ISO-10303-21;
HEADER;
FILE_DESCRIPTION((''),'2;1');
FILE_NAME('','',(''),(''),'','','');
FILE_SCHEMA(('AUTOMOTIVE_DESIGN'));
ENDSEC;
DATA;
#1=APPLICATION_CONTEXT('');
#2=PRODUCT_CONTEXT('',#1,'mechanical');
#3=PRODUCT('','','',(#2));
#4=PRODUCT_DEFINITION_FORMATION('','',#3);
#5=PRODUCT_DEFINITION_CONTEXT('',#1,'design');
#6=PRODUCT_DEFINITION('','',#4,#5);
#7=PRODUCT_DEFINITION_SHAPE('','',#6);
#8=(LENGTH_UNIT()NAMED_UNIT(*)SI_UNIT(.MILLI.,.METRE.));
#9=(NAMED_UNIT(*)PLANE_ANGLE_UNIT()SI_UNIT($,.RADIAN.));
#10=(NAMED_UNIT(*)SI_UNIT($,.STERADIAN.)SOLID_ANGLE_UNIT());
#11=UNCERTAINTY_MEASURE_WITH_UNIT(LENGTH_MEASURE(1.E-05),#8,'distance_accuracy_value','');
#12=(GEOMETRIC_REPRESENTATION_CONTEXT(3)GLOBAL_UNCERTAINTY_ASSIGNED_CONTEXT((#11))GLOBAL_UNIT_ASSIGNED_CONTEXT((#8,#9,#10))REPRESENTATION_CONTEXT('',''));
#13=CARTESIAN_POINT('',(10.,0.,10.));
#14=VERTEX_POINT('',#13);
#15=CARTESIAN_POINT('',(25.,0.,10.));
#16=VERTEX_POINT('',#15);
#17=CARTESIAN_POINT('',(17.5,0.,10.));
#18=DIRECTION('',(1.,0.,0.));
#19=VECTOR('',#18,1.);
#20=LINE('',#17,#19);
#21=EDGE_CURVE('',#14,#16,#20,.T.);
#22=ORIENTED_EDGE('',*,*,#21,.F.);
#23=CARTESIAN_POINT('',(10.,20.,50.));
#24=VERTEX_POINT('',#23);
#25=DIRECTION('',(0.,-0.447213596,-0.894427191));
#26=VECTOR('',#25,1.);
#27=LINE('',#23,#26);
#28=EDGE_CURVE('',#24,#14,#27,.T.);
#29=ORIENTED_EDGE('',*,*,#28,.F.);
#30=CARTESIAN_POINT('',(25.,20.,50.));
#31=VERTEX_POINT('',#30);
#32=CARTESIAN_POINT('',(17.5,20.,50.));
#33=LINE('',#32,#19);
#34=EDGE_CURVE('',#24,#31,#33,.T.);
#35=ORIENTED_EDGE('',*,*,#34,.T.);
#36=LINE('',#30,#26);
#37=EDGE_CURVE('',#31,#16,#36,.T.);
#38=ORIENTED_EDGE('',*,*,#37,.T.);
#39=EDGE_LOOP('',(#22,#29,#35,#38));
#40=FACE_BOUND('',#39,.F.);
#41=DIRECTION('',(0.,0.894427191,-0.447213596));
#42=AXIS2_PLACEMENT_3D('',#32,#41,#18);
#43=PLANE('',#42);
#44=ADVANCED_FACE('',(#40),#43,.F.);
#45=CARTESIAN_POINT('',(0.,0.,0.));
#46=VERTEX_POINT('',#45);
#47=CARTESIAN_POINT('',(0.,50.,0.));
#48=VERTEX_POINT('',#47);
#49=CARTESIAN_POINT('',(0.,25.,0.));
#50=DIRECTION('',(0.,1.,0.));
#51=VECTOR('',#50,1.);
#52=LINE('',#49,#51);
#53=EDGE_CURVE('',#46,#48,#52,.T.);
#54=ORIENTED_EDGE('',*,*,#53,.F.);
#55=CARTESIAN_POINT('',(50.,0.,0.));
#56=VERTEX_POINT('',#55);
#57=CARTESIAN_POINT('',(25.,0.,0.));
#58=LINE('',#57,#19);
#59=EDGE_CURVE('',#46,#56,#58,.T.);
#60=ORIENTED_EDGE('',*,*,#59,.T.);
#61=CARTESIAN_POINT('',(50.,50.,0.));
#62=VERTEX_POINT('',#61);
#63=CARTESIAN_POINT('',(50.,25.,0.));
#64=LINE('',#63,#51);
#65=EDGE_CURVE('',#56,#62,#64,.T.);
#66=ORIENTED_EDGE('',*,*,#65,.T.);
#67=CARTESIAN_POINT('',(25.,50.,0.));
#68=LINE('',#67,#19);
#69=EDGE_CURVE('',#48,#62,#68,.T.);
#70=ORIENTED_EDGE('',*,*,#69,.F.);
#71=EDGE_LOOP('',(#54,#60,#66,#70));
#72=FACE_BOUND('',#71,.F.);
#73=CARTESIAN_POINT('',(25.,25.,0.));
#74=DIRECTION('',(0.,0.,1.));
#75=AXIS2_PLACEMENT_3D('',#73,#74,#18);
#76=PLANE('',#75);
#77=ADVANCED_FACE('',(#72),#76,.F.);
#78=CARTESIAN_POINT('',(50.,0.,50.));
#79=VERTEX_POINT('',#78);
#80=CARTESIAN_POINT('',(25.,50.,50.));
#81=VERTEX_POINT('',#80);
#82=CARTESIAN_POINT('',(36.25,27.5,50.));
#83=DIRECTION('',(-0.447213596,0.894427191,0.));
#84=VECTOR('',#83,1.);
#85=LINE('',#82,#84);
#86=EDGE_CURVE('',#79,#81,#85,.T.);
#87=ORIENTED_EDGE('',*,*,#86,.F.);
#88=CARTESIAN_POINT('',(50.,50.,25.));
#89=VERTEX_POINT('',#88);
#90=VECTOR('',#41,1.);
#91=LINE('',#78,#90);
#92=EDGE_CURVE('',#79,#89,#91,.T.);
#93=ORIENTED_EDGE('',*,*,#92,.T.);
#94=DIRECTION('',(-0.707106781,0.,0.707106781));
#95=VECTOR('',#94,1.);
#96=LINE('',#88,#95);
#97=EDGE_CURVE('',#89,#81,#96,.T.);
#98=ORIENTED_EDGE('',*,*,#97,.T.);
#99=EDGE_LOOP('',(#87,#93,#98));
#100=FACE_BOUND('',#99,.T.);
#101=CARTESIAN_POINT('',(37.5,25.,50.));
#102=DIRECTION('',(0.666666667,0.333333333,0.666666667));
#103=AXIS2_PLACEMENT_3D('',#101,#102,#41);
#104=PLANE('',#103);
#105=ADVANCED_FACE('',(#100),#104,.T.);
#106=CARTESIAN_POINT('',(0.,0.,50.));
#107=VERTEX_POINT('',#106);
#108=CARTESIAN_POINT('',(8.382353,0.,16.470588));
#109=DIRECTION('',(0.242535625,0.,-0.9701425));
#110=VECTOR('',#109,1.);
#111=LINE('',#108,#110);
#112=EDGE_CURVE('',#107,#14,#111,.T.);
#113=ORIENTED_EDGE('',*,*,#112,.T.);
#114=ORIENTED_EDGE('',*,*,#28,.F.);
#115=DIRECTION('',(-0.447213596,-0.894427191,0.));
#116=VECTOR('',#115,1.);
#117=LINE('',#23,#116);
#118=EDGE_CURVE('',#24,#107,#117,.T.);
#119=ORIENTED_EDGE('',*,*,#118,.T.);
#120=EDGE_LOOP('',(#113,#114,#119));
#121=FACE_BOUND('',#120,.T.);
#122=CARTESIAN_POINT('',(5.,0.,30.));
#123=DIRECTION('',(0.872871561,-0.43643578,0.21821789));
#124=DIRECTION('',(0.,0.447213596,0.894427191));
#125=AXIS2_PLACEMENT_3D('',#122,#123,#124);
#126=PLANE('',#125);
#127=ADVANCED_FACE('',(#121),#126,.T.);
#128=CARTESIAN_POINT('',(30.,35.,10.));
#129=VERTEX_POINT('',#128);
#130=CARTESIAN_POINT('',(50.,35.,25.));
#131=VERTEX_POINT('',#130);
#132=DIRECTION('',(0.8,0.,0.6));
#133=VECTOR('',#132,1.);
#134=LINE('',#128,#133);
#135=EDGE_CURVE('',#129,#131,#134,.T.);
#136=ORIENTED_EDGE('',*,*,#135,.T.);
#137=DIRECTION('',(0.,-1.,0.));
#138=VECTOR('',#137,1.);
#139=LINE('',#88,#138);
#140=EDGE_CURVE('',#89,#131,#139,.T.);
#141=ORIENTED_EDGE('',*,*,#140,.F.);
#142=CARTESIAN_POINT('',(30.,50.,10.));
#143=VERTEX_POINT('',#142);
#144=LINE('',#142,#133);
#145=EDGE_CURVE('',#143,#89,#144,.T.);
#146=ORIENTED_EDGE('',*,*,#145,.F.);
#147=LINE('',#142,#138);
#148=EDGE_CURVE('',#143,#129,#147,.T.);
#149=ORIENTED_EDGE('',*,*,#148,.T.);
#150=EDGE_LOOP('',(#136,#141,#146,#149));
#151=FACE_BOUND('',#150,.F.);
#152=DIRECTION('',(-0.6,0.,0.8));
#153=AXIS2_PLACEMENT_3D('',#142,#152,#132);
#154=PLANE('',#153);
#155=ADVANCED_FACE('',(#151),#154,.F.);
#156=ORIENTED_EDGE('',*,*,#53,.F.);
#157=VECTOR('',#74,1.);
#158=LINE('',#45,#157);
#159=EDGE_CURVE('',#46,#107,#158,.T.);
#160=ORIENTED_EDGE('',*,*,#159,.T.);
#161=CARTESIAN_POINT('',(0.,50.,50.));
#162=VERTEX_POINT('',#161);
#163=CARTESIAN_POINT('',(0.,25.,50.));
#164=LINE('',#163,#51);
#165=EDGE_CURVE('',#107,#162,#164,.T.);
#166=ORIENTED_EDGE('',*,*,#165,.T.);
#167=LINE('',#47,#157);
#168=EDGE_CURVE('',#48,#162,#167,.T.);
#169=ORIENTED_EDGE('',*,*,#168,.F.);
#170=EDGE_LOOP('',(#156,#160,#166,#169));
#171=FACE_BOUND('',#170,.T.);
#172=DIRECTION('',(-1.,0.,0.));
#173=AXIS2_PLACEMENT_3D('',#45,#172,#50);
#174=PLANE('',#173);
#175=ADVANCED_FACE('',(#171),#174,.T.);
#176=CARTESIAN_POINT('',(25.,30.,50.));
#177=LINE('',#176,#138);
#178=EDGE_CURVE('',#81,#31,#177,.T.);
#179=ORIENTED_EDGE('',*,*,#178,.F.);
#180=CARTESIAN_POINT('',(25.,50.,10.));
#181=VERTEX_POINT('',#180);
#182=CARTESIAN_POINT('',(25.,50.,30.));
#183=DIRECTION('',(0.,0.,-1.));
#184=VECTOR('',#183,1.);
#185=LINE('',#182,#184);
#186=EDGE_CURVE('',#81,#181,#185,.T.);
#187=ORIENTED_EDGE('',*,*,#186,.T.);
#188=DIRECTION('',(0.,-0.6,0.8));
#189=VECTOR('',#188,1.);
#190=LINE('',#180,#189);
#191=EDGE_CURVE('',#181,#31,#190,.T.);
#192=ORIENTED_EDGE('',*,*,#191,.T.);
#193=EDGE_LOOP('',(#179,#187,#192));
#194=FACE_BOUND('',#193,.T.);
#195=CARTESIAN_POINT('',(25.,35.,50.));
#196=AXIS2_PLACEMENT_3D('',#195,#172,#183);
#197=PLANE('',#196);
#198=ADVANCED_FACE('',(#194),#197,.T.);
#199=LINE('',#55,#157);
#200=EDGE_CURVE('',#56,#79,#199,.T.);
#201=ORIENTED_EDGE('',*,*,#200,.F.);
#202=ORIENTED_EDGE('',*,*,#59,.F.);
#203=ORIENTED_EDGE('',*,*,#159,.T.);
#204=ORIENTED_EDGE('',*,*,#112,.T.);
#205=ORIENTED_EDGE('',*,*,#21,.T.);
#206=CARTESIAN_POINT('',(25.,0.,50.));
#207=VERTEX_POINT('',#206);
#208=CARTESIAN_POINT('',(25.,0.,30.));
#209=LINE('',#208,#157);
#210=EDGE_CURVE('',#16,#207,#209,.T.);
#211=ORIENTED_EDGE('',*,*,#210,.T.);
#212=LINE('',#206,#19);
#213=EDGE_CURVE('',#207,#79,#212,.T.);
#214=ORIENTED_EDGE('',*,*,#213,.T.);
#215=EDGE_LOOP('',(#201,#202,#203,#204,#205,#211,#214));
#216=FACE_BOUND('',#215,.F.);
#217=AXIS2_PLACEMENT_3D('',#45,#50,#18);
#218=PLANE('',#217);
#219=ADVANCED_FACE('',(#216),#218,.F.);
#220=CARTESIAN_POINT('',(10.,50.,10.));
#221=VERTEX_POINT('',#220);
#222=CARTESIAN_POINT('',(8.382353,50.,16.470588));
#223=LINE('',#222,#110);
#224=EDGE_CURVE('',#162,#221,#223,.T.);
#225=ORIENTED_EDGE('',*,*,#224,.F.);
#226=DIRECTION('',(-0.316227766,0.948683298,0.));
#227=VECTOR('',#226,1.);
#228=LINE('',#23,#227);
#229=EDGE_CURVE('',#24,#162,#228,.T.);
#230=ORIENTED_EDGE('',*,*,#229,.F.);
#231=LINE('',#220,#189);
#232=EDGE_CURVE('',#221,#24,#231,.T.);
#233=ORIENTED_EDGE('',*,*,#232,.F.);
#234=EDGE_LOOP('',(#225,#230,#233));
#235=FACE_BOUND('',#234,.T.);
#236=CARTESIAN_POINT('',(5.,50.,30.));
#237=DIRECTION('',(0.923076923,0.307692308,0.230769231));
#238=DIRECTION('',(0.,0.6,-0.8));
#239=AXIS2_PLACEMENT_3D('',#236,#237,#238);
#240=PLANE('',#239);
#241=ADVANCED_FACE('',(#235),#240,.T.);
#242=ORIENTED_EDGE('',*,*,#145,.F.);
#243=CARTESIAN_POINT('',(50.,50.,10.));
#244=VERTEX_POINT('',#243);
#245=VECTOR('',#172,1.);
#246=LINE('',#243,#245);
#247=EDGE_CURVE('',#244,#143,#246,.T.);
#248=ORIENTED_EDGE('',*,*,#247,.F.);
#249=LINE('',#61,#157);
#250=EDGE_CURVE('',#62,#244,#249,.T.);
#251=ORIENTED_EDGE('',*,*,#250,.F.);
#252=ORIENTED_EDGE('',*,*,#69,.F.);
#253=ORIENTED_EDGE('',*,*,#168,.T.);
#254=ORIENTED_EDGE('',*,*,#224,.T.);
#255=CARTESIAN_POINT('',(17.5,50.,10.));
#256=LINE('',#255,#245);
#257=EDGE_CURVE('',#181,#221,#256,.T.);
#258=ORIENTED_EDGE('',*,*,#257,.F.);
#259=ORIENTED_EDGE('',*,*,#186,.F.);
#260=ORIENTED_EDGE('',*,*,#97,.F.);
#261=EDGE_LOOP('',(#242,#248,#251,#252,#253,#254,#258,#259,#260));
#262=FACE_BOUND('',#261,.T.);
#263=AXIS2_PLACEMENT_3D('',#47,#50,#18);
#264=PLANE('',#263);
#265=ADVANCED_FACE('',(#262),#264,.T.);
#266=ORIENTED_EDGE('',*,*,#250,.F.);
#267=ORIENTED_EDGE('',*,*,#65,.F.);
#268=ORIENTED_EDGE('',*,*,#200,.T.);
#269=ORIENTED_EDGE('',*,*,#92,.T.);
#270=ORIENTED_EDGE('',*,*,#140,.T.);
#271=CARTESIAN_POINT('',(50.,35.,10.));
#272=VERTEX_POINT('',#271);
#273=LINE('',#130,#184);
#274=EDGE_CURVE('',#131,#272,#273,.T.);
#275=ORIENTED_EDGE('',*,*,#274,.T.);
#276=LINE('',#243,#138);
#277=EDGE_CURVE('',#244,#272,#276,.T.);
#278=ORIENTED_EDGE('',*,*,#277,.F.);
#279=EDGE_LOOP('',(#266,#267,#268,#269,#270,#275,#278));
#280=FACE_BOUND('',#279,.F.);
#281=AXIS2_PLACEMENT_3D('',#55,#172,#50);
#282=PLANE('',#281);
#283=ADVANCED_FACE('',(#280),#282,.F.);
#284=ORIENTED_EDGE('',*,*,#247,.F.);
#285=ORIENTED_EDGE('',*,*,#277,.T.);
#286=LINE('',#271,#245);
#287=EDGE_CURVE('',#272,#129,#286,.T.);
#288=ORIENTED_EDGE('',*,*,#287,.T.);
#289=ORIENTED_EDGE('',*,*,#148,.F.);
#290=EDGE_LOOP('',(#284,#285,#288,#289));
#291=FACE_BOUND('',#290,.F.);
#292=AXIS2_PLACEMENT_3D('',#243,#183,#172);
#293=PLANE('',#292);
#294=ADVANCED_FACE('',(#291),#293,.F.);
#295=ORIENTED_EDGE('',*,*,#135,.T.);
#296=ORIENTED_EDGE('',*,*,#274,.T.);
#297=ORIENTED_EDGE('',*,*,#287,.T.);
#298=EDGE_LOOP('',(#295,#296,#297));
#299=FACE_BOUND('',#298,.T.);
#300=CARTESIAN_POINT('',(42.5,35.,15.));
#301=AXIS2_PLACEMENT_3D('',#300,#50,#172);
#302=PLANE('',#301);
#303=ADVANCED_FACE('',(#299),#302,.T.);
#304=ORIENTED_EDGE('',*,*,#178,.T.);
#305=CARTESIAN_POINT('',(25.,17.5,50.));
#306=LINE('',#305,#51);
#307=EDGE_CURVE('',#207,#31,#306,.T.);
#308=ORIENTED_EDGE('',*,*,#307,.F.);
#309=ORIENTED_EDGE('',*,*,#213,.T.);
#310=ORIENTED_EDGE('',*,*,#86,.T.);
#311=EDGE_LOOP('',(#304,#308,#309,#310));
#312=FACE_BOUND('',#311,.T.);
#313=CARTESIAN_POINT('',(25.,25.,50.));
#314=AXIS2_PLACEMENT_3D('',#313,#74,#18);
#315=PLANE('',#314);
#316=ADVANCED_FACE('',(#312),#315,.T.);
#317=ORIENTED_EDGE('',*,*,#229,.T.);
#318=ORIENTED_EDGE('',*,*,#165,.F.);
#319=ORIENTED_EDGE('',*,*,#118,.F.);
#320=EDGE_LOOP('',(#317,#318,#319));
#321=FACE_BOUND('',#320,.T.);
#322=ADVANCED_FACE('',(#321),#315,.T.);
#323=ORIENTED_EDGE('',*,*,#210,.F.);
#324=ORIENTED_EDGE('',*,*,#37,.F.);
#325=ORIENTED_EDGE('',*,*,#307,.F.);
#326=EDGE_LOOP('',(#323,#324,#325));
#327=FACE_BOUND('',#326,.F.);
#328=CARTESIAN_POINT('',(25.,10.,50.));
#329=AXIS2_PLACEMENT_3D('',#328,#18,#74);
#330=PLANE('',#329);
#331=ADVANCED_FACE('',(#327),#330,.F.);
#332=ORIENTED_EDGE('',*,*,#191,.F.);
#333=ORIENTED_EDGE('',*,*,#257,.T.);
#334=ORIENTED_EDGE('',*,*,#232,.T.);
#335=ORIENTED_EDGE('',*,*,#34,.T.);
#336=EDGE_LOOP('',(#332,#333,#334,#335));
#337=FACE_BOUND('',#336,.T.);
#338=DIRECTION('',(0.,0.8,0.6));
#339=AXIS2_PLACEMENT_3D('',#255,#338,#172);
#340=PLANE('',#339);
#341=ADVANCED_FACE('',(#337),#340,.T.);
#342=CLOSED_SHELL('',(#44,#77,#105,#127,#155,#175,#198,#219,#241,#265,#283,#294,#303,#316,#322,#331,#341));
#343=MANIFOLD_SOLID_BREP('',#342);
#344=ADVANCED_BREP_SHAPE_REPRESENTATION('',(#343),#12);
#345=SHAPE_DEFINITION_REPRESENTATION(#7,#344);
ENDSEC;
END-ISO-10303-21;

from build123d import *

# Parameters (mm, degrees)
F0_W     = 50
F0_H     = 50
F1_DEPTH = 50
F3_DEPTH = 15
F8_W     = 15
F8_H     = 40
F10_W    = 15
F10_H    = 40


with BuildPart() as f1:
    # F0 (on Top) → F1 (new body)
    with BuildSketch(Plane.XY):
        with Locations((25, 25)):
            Rectangle(F0_W, F0_H)
    extrude(amount=F1_DEPTH)

    # F2 (on face) → F3 (cut)
    with BuildSketch(Plane(origin=(0, 50, 0), x_dir=(-1, 0, 0), z_dir=(0, 1, 0))):
        Polygon((-50, 25), (-50, 10), (-30, 10), align=None)
    extrude(amount=-F3_DEPTH, mode=Mode.SUBTRACT)

    # F6: sweep along a path in F5
    with BuildLine(Plane(origin=(0, 50, 0), x_dir=(-1, 0, 0), z_dir=(0, 1, 0))) as f6_path:
        Line((-50, 25), (-25, 50))
    # F4 (on face) → F6 (sweep, cut)
    with BuildSketch(Plane.YZ.offset(50)):
        Polygon((50, 50), (0, 50), (50, 25), align=None)
    sweep(path=f6_path.line, mode=Mode.SUBTRACT)

    # F9: sweep along a path in F7
    with BuildLine(Plane(origin=(0, 0, 0), x_dir=(0, -1, 0), z_dir=(-1, 0, 0))) as f9_path:
        Line((-20, 50), (0, 10))
    # F8 (on face) → F9 (sweep, cut)
    with BuildSketch(Plane.XZ):
        with Locations((17.5, 30)):
            Rectangle(F8_W, F8_H)
    sweep(path=f9_path.line, mode=Mode.SUBTRACT)

    # F11: sweep along a path in F7
    with BuildLine(Plane(origin=(0, 0, 0), x_dir=(0, -1, 0), z_dir=(-1, 0, 0))) as f11_path:
        Line((-50, 10), (-20, 50))
    # F10 (on face) → F11 (sweep, cut)
    with BuildSketch(Plane(origin=(0, 50, 0), x_dir=(-1, 0, 0), z_dir=(0, 1, 0))):
        with Locations((-17.5, 30)):
            Rectangle(F10_W, F10_H)
    sweep(path=f11_path.line, mode=Mode.SUBTRACT)

    # F13: sweep along a path in F12
    with BuildLine(Plane.XY.offset(50)) as f13_path:
        Line((10, 20), (0, 0))
    # F9_face (on face) → F13 (sweep, cut)
    with BuildSketch(Plane(origin=(10, 6.6666666667, 36.6666666667), x_dir=(0, 1, 0), z_dir=(1, 0, 0))):
        Polygon((-6.6666666667, 13.3333333333), (-6.6666666667, -26.6666666667), (13.3333333333, 13.3333333333), align=None)
    sweep(path=f13_path.line, mode=Mode.SUBTRACT)

    # F15: sweep along a path in F14
    with BuildLine(Plane.XY.offset(50)) as f15_path:
        Line((10, 20), (0, 50))
    # F11_face1 (on face) → F15 (sweep, cut)
    with BuildSketch(Plane(origin=(10, 40, 36.6666666667), x_dir=(0, 1, 0), z_dir=(1, 0, 0))):
        Polygon((-20, 13.3333333333), (10, -26.6666666667), (10, 13.3333333333), align=None)
    sweep(path=f15_path.line, mode=Mode.SUBTRACT)


solid = f1.part
